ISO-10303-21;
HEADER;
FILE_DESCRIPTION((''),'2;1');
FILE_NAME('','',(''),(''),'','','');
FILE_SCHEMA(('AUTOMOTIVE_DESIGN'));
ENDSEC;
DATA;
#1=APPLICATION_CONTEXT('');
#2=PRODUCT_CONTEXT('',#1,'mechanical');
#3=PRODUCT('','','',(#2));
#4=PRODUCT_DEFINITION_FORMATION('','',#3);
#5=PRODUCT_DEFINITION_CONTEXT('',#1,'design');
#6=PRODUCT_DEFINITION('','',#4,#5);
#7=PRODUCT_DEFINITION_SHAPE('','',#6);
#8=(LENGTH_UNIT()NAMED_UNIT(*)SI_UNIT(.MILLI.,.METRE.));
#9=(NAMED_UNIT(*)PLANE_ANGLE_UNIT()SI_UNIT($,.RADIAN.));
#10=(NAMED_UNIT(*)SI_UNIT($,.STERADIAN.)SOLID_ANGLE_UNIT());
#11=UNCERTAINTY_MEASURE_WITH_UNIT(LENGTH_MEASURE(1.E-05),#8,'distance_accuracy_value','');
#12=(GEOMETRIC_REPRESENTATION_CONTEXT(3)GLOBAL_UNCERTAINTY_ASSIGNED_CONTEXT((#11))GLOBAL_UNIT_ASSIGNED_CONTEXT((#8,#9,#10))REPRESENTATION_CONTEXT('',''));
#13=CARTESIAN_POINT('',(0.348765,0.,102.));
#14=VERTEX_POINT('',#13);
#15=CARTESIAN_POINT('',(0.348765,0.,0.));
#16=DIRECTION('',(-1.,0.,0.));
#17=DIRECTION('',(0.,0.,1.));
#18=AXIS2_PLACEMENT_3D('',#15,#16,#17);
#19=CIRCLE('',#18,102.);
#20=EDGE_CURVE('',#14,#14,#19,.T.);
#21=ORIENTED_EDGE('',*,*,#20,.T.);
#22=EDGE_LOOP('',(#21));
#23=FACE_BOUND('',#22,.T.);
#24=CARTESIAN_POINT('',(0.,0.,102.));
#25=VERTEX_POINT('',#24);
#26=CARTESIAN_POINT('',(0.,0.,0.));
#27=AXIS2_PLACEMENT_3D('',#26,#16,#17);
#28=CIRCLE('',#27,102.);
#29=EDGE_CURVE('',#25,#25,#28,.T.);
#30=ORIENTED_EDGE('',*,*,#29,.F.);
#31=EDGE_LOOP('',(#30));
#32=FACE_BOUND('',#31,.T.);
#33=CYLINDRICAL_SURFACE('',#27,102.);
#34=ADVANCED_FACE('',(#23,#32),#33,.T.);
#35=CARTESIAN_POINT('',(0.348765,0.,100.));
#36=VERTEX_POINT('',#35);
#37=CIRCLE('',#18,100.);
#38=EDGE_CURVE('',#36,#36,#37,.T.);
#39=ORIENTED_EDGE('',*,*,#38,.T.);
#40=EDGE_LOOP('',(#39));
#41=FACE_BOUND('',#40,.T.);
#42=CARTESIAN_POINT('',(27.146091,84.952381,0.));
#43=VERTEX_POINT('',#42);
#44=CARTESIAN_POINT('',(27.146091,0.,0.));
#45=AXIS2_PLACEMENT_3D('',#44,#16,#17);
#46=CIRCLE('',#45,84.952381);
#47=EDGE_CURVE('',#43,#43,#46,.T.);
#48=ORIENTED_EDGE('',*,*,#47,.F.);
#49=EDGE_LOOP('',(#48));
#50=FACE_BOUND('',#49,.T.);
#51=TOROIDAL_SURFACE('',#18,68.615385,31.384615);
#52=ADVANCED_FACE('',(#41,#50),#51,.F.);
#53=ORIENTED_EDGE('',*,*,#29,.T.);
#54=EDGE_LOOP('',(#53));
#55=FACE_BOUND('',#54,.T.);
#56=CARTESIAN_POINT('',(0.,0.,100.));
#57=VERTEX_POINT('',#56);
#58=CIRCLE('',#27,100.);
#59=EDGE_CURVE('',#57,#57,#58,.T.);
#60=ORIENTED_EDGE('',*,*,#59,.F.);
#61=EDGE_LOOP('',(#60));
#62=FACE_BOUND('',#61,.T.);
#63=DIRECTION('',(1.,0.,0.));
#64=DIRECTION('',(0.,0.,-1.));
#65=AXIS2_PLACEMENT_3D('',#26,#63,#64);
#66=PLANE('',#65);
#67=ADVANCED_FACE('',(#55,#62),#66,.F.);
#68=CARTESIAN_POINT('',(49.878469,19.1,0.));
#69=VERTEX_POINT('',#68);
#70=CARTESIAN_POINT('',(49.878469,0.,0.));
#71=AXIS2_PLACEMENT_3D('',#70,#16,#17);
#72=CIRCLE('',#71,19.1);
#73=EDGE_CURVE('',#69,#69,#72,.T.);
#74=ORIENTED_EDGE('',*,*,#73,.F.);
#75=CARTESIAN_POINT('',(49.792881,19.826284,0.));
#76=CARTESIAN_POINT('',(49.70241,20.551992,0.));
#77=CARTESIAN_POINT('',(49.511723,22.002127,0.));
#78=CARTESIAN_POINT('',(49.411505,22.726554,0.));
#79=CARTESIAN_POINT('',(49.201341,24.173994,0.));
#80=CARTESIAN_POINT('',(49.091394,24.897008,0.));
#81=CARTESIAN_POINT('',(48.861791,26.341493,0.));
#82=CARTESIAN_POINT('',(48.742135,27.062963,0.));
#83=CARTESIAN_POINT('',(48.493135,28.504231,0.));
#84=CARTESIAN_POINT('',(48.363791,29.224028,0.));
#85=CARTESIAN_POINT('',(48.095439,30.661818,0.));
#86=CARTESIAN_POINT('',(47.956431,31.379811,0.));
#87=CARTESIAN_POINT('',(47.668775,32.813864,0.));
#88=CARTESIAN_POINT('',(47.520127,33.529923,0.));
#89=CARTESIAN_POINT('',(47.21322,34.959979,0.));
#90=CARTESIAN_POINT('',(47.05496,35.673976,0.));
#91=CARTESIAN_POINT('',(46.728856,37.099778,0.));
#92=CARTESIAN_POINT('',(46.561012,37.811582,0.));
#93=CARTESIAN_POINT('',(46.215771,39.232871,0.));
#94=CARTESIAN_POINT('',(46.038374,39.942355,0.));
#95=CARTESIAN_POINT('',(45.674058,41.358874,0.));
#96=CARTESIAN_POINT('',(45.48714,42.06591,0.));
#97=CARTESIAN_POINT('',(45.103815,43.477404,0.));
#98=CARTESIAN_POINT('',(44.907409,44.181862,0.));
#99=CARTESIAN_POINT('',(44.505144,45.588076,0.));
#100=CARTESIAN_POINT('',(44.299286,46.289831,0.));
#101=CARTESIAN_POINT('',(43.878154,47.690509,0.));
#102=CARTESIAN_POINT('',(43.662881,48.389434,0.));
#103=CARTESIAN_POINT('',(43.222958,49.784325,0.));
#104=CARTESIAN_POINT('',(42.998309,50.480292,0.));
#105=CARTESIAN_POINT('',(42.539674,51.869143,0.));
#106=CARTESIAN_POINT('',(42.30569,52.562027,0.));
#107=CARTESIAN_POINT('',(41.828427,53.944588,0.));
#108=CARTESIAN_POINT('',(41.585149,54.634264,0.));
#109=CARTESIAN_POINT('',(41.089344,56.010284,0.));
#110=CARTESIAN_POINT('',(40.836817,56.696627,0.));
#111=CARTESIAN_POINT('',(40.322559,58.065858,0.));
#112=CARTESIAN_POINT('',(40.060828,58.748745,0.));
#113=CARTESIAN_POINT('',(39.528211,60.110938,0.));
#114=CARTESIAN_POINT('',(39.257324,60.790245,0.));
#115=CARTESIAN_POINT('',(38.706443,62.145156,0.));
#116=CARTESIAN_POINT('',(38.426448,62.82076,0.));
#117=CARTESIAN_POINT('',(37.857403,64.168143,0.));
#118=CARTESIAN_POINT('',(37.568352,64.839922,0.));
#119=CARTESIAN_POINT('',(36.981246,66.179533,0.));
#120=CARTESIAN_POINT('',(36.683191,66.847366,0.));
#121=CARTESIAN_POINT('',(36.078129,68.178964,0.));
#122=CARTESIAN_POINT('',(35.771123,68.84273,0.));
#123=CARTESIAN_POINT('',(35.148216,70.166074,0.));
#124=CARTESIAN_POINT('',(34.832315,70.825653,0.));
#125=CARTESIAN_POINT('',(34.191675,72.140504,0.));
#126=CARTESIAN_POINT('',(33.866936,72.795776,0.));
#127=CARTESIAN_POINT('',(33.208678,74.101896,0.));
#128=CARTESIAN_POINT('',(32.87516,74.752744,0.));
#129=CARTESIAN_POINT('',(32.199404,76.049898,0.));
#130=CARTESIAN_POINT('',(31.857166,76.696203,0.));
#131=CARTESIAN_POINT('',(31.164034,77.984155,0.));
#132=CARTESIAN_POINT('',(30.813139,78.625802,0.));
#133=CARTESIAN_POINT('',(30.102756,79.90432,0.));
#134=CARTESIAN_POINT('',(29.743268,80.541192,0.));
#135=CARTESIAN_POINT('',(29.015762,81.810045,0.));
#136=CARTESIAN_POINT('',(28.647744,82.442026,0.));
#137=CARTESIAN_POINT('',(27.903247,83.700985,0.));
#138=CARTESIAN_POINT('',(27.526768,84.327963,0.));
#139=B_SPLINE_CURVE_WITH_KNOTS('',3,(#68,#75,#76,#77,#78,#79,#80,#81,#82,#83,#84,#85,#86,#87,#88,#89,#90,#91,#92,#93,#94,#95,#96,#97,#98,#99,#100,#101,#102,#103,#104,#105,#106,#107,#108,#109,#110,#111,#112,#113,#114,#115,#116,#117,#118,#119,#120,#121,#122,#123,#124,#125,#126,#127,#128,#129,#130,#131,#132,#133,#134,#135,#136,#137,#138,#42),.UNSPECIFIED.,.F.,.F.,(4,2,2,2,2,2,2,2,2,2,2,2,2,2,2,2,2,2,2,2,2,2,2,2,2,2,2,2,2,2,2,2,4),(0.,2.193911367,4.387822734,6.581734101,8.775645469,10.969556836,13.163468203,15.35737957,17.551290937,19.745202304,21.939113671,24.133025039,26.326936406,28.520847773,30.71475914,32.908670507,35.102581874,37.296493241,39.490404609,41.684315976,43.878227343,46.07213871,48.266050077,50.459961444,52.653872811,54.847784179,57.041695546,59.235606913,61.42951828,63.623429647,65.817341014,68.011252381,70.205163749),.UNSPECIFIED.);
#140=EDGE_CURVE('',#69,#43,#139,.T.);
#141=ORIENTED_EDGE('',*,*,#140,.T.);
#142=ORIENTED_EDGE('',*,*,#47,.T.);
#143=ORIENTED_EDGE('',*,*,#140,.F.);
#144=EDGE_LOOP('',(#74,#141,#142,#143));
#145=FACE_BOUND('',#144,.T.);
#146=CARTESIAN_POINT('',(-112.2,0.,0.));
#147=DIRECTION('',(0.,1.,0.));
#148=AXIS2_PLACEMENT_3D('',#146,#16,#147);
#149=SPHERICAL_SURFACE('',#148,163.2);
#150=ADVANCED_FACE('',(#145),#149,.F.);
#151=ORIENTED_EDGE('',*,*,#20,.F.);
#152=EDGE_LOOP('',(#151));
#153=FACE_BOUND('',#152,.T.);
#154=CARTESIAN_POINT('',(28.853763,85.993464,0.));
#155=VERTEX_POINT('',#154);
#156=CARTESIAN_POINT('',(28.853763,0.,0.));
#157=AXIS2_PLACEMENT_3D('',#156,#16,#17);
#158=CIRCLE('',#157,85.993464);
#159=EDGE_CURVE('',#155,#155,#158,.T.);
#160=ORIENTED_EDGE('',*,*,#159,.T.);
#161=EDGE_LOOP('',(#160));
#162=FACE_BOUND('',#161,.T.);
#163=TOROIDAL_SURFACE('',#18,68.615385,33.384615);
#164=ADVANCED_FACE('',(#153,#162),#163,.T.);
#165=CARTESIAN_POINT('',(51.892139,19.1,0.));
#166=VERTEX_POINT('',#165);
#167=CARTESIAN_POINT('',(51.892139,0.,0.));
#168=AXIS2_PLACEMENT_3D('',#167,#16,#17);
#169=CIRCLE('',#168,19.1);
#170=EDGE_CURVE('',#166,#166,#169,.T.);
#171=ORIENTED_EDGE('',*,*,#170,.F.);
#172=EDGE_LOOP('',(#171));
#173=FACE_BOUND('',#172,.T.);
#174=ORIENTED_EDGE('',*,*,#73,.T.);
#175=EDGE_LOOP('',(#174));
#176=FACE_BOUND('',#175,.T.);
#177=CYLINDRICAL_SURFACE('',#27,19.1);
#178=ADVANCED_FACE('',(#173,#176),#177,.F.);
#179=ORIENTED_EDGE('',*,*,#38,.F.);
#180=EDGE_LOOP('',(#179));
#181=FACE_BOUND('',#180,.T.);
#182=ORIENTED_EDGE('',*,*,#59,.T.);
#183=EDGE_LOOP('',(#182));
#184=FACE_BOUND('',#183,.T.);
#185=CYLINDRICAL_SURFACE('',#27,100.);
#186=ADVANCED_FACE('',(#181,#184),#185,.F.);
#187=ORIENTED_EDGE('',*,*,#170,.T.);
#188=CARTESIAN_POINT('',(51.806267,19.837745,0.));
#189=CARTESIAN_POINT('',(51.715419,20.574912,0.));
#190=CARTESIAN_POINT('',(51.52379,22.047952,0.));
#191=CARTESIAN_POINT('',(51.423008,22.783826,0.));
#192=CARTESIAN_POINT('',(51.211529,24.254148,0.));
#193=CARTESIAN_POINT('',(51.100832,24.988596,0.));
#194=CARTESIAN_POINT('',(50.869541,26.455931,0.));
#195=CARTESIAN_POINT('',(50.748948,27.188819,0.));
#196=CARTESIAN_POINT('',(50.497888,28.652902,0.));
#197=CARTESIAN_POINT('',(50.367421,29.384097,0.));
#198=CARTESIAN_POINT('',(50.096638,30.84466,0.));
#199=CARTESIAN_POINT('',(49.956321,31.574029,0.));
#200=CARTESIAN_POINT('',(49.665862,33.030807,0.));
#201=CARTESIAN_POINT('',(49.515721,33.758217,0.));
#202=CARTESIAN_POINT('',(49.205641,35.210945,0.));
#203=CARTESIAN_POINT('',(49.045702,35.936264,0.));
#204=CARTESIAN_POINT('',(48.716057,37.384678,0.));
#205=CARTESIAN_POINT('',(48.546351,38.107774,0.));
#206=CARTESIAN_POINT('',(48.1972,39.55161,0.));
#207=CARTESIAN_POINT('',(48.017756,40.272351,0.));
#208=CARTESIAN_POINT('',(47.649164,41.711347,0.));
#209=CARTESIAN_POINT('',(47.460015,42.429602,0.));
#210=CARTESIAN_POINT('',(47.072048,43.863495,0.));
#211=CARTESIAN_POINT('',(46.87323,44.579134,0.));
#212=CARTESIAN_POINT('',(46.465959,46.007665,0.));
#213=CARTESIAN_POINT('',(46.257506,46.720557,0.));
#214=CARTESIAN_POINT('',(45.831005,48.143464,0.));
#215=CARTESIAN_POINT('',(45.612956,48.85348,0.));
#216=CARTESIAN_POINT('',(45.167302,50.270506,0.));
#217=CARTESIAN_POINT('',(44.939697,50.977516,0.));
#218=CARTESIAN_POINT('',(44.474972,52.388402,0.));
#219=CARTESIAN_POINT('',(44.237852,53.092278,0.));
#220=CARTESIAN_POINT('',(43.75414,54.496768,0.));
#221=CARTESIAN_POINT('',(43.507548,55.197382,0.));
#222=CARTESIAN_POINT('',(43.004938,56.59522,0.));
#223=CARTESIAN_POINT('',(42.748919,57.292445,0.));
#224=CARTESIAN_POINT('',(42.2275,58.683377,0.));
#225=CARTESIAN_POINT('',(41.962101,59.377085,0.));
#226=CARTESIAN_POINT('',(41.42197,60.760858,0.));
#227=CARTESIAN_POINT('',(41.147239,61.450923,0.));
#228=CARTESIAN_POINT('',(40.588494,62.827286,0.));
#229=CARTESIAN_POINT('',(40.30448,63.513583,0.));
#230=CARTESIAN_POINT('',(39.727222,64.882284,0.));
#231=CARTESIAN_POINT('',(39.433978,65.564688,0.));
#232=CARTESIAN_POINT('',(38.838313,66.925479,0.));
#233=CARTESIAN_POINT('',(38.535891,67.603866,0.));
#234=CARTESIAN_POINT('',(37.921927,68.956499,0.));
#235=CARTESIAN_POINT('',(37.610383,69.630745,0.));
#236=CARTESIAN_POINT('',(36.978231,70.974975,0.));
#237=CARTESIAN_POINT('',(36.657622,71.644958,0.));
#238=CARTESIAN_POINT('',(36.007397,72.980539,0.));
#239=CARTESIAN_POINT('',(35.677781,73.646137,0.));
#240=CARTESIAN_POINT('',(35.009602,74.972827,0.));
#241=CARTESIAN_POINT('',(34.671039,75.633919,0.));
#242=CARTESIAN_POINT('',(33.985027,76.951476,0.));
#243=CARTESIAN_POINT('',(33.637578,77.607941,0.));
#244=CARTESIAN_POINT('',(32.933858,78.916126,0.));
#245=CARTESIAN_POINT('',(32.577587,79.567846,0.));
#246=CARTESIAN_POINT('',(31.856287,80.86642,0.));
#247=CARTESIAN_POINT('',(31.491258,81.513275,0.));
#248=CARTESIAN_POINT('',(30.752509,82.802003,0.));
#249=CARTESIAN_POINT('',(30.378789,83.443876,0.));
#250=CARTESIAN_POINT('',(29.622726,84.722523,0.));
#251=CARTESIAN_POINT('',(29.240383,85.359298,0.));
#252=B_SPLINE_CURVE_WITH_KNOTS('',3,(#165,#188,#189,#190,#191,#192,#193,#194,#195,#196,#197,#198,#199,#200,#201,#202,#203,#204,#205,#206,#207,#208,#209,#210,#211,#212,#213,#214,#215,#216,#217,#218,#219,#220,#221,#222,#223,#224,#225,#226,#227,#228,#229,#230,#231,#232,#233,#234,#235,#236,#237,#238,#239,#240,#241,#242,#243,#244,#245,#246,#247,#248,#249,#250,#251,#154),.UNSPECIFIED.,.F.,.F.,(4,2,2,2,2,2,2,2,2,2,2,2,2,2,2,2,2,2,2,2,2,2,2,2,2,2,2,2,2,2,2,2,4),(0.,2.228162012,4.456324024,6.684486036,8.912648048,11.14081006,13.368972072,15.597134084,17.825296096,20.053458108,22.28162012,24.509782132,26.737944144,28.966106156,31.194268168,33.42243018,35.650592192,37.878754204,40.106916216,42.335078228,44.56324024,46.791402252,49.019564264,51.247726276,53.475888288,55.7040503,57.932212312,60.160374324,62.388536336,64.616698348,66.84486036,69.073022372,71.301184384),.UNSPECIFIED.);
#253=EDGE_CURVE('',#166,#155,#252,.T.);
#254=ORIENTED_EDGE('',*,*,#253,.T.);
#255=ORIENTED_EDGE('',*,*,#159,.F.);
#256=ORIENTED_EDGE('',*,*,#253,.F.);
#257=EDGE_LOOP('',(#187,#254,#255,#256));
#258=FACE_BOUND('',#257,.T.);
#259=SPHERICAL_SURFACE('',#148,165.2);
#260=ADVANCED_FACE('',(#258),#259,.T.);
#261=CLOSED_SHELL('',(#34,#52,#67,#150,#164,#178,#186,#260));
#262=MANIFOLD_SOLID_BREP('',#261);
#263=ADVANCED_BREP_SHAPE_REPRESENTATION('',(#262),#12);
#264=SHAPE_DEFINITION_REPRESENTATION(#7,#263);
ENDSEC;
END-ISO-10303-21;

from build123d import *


with BuildPart() as part:
    # Эскиз1 → Повернуть1 (revolve)
    with BuildSketch(Plane.XY):
        with BuildLine():
            Line((0.348765499, 102), (0, 102))
            Line((0, 102), (0, 100))
            Line((0, 100), (0.348765499, 100))
            ThreePointArc((0.348765499, 100), (15.715348338, 95.980731584), (27.146090618, 84.952380952))
            ThreePointArc((27.146090618, 84.952380952), (42.06705822, 53.253307392), (49.87846865, 19.1))
            Line((49.87846865, 19.1), (51.892138751, 19.1))
            ThreePointArc((51.892138751, 19.1), (43.995996323, 53.794523258), (28.853763297, 85.993464052))
            ThreePointArc((28.853763297, 85.993464052), (16.694591362, 97.724601734), (0.348765499, 102))
        make_face()
    revolve(axis=Axis((0, 0, 0), (1, 0, 0)))


solid = part.part
